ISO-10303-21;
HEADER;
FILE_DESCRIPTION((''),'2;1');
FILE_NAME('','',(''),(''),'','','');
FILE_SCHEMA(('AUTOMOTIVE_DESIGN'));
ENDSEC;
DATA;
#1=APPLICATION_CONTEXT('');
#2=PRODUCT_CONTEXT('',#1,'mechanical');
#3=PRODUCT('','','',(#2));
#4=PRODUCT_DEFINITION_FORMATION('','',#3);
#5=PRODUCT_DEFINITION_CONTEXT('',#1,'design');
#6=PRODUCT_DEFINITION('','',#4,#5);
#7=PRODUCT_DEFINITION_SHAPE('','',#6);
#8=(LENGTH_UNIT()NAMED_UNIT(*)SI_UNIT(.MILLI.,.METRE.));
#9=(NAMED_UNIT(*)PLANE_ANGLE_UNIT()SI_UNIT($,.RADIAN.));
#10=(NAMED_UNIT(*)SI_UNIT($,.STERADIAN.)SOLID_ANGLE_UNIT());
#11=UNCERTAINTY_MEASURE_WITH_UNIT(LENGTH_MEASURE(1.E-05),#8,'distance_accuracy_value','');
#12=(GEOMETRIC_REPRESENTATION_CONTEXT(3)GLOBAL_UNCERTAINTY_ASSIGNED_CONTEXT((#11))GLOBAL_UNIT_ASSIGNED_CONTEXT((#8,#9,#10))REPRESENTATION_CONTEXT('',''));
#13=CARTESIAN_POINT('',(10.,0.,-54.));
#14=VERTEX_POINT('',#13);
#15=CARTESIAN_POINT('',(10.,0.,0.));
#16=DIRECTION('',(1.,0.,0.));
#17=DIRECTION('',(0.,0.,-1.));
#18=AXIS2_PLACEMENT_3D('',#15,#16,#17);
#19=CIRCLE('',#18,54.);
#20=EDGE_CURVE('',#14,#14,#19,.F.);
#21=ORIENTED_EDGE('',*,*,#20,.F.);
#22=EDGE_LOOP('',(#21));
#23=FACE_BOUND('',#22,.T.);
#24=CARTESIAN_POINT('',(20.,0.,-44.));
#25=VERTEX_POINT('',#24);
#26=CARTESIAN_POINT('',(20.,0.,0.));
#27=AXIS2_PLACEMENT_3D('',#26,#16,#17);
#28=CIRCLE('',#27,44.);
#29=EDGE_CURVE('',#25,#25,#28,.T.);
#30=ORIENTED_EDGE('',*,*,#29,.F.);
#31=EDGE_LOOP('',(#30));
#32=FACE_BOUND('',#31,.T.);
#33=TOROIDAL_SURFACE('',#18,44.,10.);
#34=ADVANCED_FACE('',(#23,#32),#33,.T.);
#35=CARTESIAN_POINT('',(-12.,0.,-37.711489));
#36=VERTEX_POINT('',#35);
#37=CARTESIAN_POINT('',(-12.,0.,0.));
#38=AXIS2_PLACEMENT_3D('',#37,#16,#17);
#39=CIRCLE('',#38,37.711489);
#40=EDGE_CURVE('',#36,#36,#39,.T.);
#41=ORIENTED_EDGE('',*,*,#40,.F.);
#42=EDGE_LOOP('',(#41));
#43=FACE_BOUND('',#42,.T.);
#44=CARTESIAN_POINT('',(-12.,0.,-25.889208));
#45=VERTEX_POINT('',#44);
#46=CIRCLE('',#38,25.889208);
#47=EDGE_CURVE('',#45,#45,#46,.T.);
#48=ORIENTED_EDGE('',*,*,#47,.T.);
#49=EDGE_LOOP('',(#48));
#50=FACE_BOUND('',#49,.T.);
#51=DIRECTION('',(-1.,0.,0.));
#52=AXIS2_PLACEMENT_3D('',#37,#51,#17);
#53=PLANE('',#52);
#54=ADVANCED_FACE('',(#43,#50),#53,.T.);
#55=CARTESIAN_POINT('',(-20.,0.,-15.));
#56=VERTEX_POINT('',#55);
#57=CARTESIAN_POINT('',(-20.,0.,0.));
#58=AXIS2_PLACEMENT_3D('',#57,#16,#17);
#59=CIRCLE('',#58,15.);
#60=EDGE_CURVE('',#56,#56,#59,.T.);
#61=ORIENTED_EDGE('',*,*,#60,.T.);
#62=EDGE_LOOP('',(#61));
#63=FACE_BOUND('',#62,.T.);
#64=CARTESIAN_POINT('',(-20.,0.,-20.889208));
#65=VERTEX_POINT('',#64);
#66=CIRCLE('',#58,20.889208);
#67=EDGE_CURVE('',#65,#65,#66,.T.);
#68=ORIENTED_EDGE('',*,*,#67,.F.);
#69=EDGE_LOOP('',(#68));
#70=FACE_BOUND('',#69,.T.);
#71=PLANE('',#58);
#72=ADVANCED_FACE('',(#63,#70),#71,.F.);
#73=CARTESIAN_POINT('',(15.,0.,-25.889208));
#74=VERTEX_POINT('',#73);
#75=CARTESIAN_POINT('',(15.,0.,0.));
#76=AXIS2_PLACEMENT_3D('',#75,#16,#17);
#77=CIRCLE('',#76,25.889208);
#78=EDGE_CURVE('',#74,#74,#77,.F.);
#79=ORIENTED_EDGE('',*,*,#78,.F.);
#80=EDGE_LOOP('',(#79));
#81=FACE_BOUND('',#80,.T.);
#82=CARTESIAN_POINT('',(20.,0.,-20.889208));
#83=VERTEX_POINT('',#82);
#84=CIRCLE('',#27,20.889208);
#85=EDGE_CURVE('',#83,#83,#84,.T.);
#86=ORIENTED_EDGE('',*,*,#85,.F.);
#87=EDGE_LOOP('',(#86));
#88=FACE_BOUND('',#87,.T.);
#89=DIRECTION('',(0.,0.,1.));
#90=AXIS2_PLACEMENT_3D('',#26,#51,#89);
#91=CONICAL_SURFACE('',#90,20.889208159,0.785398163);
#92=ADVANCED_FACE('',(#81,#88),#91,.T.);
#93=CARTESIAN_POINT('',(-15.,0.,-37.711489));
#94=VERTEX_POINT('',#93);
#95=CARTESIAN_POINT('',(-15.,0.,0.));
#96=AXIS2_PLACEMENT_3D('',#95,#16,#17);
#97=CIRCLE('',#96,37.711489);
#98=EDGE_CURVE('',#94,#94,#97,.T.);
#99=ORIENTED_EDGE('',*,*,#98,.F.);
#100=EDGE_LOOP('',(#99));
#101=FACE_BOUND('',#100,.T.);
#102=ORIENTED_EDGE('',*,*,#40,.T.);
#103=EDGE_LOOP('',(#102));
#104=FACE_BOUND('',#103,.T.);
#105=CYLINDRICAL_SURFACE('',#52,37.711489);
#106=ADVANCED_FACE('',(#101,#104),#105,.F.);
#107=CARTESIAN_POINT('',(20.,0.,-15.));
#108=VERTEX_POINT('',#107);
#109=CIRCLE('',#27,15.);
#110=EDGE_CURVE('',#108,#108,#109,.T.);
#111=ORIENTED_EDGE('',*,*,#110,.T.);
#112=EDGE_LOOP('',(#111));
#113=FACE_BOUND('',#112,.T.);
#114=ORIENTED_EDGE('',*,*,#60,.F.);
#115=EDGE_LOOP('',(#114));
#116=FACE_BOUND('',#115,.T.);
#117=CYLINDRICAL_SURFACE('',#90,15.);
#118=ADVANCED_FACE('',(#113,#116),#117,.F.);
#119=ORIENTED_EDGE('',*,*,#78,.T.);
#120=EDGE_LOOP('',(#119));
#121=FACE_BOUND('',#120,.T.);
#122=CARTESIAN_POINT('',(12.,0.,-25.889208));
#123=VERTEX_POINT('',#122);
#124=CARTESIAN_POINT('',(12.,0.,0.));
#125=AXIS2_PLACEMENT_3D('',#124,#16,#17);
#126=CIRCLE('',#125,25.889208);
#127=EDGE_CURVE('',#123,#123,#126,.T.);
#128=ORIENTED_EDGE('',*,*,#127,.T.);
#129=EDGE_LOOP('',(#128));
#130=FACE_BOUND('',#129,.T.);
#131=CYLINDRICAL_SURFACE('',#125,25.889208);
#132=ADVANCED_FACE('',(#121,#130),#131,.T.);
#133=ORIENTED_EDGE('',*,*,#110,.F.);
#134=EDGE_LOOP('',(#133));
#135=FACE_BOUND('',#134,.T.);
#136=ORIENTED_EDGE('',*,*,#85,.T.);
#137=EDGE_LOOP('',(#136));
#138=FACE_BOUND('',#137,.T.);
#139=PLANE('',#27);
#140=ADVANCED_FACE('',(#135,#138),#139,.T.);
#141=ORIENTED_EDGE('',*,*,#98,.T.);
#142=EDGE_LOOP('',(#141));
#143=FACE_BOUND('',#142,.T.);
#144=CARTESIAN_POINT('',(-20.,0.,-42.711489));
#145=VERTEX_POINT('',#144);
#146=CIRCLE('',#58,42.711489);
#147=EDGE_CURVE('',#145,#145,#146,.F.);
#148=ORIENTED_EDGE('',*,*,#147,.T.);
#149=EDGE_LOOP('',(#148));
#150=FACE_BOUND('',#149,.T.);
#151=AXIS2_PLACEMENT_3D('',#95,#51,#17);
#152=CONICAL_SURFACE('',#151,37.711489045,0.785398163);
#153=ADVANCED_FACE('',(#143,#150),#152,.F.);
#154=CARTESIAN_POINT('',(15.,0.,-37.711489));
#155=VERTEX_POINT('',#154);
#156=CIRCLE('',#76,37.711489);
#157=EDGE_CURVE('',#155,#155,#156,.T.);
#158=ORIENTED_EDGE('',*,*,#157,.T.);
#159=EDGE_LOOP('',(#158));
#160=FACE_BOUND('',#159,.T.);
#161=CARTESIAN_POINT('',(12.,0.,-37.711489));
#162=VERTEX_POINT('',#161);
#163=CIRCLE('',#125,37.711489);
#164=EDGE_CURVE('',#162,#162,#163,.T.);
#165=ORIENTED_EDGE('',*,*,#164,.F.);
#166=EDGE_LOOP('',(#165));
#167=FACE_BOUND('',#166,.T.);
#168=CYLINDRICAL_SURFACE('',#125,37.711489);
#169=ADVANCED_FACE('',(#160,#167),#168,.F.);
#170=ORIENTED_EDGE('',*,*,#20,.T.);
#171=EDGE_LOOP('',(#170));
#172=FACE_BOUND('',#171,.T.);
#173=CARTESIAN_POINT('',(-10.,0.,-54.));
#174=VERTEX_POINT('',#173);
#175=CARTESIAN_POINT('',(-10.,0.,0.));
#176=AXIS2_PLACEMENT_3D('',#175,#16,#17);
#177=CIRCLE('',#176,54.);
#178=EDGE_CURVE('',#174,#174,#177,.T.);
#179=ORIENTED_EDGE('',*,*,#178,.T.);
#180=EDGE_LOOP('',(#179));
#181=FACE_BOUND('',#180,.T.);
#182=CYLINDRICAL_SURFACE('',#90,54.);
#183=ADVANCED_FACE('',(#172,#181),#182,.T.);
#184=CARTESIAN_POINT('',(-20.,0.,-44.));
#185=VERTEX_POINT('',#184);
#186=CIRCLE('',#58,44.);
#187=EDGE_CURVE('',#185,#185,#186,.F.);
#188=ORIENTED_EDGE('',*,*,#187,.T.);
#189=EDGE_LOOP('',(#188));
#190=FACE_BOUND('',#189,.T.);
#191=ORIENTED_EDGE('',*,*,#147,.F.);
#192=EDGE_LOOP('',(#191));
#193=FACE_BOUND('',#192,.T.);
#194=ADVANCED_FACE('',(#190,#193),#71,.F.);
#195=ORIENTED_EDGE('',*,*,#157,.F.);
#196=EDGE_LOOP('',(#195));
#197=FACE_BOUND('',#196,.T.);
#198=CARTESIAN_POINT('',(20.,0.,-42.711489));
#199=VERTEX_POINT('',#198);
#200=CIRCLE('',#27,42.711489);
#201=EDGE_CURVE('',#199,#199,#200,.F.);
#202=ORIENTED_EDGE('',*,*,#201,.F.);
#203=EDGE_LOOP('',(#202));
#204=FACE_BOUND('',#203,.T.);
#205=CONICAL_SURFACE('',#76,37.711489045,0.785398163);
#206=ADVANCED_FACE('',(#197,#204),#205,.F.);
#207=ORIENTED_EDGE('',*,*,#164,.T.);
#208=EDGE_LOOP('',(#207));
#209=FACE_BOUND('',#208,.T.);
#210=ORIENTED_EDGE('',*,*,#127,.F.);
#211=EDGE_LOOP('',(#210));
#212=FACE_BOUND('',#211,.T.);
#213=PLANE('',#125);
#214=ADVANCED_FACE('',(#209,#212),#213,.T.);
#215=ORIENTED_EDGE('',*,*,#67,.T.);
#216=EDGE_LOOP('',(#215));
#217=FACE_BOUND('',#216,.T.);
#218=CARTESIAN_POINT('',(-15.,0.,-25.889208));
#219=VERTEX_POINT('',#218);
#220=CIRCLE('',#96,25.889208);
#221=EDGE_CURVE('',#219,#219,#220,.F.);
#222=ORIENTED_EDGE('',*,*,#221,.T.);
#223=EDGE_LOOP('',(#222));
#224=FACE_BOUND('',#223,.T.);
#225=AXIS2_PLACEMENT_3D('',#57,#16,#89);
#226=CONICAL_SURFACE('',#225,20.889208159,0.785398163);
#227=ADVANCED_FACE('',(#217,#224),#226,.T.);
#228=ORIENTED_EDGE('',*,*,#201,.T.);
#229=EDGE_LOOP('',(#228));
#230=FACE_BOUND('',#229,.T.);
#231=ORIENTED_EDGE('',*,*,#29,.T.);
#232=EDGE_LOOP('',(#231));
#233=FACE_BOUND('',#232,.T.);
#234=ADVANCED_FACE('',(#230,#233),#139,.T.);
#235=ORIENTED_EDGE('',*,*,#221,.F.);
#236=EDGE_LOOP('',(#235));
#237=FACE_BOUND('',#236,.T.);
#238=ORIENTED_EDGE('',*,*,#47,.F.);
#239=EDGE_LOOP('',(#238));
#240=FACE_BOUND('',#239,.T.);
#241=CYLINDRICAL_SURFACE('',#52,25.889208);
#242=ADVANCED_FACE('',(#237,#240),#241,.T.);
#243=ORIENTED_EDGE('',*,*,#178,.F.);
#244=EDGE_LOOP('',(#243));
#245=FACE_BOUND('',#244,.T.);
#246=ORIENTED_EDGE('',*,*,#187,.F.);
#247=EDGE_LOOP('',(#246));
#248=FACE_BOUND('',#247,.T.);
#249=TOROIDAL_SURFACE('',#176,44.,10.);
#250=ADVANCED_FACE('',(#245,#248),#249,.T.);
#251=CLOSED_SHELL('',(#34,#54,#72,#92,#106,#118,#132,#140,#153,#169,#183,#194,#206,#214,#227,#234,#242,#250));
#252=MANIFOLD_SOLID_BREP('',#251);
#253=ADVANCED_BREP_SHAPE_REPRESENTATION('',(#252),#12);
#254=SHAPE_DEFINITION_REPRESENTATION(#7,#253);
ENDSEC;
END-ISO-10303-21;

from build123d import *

# Parameters (mm, degrees)
SKETCH_1_R                 = 54
SKETCH_1_R_2               = 15
EXTRUDE_1_DEPTH            = 20
FILLET_1_R                 = 10
SKETCH_2_R                 = 37.711489045
SKETCH_2_R_2               = 25.889208159
CUT_EXTRUDE_1_DEPTH        = 8
CHAMFER_1_SIZE             = 5
CHAMFER_1_OF_MIRROR_4_SIZE = 5


with BuildPart() as part:
    # 草图1 → 凸台-拉伸1 (new, symmetric)
    with BuildSketch(Plane(origin=(0, 0, 0), x_dir=(0, 0, -1), z_dir=(1, 0, 0))):
        Circle(SKETCH_1_R)
        Circle(SKETCH_1_R_2, mode=Mode.SUBTRACT)
    extrude(amount=EXTRUDE_1_DEPTH, both=True)

    # 圆角1
    fillet_1_edges = [part.edges().sort_by_distance(p)[0] for p in [
        (-20, 0, 54),
        (20, 0, 54),
    ]]
    fillet(fillet_1_edges, radius=FILLET_1_R)

    # 草图2 → 切除-拉伸1 (cut)
    with BuildSketch(Plane(origin=(20, 0, 0), x_dir=(0, 0, -1), z_dir=(1, 0, 0))):
        Circle(SKETCH_2_R)
        Circle(SKETCH_2_R_2, mode=Mode.SUBTRACT)
    cut_extrude_1 = extrude(amount=-CUT_EXTRUDE_1_DEPTH, mode=Mode.SUBTRACT)

    # 倒角1
    chamfer_1_edges = [part.edges().sort_by_distance(p)[0] for p in [
        (20, 0, 37.711489045),
        (20, 0, 25.889208159),
    ]]
    chamfer(chamfer_1_edges, length=CHAMFER_1_SIZE)

    # 镜向4: 切除-拉伸1 across plane
    add(cut_extrude_1.mirror(Plane(origin=(0, 0, 0), x_dir=(0, 0, 1), z_dir=(1, 0, 0))), mode=Mode.SUBTRACT)

    # 倒角1 of 镜向4
    chamfer_1_of_mirror_4_edges = [part.edges().sort_by_distance(p)[0] for p in [
        (-20, 0, 37.711489045),
        (-20, 0, 25.889208159),
    ]]
    chamfer(chamfer_1_of_mirror_4_edges, length=CHAMFER_1_OF_MIRROR_4_SIZE)


solid = part.part
